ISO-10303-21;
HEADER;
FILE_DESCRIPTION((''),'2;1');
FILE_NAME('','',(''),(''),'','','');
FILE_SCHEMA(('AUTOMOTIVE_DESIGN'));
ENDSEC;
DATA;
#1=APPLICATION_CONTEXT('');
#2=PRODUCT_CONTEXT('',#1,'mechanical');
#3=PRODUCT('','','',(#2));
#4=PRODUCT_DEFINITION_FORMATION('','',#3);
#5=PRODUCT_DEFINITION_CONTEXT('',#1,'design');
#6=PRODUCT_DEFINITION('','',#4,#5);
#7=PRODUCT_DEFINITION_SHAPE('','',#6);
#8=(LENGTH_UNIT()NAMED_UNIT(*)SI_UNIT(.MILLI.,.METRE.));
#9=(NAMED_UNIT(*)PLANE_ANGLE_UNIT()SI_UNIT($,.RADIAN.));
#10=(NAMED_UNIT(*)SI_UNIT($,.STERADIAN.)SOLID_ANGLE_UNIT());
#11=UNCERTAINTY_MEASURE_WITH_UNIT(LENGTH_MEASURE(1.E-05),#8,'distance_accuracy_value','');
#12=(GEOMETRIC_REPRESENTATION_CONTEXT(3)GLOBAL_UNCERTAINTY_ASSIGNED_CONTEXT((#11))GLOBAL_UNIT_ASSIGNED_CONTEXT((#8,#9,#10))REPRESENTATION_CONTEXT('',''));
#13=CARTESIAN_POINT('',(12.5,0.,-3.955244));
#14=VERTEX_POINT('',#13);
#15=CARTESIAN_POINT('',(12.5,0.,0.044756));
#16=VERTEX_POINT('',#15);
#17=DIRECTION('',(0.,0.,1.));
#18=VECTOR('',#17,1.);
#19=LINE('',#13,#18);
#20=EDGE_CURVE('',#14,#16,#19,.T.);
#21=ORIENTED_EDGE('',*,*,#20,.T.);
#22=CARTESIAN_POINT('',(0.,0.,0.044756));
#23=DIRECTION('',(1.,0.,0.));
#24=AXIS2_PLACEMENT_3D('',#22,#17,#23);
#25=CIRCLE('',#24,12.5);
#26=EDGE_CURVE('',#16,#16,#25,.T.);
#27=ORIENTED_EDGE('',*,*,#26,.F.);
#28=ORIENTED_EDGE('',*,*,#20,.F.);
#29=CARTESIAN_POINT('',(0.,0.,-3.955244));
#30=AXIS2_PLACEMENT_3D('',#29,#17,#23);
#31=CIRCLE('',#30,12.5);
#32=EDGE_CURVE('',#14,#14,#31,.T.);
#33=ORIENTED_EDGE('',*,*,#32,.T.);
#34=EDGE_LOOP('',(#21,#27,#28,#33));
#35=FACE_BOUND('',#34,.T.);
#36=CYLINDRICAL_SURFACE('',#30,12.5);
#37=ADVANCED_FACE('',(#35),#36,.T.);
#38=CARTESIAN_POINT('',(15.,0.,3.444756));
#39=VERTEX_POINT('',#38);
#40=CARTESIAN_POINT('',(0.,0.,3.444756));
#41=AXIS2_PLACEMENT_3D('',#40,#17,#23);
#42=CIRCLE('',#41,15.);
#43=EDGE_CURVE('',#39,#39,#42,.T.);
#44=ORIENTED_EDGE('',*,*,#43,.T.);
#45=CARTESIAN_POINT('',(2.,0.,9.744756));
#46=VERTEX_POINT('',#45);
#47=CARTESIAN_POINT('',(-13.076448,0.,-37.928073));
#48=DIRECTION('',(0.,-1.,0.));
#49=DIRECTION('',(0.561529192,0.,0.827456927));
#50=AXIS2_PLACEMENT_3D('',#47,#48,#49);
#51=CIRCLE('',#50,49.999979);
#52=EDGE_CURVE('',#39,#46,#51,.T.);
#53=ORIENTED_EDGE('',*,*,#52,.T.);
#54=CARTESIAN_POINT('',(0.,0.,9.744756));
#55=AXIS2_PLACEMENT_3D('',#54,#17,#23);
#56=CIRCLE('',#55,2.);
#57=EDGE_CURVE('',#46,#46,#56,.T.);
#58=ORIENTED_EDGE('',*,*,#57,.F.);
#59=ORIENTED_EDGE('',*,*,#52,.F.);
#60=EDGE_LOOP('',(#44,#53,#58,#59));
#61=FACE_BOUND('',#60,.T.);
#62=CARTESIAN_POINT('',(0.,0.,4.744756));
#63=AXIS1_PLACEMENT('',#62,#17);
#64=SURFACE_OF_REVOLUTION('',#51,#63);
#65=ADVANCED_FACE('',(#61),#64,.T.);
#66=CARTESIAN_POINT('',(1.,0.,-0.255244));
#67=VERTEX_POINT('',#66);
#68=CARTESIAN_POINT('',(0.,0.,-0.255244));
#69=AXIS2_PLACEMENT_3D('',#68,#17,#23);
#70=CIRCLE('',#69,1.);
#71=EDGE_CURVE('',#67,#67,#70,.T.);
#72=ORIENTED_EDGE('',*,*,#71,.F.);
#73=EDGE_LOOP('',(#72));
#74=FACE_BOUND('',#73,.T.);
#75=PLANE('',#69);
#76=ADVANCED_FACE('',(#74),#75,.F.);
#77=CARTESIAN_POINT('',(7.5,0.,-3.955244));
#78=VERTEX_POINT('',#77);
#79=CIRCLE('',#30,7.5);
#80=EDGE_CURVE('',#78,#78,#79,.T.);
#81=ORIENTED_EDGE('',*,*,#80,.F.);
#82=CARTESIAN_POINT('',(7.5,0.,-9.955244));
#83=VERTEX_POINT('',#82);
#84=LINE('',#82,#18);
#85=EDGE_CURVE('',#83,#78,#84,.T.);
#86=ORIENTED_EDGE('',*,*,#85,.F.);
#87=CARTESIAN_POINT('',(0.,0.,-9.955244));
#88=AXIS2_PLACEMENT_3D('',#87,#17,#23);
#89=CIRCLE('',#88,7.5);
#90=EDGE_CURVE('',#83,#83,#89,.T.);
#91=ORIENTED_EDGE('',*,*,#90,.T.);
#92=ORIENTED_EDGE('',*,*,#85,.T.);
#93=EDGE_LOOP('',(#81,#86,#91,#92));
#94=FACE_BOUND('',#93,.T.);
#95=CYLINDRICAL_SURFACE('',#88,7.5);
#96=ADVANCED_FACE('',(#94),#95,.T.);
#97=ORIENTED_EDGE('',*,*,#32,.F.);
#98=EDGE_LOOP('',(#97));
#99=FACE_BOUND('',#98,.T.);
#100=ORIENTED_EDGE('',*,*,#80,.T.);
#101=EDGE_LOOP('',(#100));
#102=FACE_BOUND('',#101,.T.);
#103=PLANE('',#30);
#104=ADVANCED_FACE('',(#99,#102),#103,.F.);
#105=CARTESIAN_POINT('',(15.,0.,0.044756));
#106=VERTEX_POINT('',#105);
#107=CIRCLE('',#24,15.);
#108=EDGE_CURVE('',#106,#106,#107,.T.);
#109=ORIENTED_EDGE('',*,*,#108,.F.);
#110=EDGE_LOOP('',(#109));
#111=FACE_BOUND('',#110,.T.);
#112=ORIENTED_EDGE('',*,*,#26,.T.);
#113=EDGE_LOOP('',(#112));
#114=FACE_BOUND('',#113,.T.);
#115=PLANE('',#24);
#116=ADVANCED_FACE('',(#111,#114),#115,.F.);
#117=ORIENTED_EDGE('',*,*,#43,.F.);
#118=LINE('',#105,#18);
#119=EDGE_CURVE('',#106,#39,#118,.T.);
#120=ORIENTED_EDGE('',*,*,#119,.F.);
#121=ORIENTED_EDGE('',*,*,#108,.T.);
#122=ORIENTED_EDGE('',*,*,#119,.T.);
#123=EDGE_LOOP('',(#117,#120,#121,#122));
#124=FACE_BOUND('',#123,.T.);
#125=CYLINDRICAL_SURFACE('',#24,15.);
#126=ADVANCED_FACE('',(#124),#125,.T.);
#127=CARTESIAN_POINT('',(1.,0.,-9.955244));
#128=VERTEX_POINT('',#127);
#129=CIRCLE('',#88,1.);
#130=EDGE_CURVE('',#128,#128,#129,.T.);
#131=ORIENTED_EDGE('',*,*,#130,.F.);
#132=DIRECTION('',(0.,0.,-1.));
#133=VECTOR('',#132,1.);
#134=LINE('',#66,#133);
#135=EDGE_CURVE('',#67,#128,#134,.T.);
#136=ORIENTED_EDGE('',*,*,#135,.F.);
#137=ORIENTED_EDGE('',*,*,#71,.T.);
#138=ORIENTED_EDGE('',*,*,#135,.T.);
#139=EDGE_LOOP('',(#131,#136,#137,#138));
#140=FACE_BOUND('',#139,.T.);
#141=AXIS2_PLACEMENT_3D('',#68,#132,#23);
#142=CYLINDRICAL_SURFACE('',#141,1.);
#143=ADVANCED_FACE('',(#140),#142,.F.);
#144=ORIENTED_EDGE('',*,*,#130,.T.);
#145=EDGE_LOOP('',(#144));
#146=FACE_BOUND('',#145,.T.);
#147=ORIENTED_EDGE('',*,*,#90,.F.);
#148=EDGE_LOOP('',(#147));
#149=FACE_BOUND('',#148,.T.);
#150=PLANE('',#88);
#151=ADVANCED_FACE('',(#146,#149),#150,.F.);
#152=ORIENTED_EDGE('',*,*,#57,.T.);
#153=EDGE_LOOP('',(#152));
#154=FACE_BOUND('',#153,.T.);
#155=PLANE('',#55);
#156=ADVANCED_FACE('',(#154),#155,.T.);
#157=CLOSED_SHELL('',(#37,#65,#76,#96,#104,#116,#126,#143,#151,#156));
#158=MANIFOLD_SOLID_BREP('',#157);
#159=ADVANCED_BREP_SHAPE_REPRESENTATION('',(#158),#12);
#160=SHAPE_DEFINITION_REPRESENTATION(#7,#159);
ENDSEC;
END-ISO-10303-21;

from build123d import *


with BuildPart() as f1:
    # F0 (on Front) → F1 (revolve)
    with BuildSketch(Plane.XZ):
        with BuildLine():
            Line((1, -0.255244), (1, -9.955244))
            Line((1, -9.955244), (7.5, -9.955244))
            Line((7.5, -9.955244), (7.5, -3.955244))
            Line((7.5, -3.955244), (12.5, -3.955244))
            Line((12.5, -3.955244), (12.5, 0.044756))
            Line((12.5, 0.044756), (15, 0.044756))
            Line((15, 0.044756), (15, 3.444756))
            ThreePointArc((15, 3.444756), (8.728726, 7.06673), (2, 9.744756))
            Line((2, 9.744756), (0, 9.744756))
            Line((0, 9.744756), (0, -0.255244))
            Line((0, -0.255244), (1, -0.255244))
        make_face()
    revolve(axis=Axis((0, 0, 4.744756), (0, 0, 1)))


solid = f1.part
